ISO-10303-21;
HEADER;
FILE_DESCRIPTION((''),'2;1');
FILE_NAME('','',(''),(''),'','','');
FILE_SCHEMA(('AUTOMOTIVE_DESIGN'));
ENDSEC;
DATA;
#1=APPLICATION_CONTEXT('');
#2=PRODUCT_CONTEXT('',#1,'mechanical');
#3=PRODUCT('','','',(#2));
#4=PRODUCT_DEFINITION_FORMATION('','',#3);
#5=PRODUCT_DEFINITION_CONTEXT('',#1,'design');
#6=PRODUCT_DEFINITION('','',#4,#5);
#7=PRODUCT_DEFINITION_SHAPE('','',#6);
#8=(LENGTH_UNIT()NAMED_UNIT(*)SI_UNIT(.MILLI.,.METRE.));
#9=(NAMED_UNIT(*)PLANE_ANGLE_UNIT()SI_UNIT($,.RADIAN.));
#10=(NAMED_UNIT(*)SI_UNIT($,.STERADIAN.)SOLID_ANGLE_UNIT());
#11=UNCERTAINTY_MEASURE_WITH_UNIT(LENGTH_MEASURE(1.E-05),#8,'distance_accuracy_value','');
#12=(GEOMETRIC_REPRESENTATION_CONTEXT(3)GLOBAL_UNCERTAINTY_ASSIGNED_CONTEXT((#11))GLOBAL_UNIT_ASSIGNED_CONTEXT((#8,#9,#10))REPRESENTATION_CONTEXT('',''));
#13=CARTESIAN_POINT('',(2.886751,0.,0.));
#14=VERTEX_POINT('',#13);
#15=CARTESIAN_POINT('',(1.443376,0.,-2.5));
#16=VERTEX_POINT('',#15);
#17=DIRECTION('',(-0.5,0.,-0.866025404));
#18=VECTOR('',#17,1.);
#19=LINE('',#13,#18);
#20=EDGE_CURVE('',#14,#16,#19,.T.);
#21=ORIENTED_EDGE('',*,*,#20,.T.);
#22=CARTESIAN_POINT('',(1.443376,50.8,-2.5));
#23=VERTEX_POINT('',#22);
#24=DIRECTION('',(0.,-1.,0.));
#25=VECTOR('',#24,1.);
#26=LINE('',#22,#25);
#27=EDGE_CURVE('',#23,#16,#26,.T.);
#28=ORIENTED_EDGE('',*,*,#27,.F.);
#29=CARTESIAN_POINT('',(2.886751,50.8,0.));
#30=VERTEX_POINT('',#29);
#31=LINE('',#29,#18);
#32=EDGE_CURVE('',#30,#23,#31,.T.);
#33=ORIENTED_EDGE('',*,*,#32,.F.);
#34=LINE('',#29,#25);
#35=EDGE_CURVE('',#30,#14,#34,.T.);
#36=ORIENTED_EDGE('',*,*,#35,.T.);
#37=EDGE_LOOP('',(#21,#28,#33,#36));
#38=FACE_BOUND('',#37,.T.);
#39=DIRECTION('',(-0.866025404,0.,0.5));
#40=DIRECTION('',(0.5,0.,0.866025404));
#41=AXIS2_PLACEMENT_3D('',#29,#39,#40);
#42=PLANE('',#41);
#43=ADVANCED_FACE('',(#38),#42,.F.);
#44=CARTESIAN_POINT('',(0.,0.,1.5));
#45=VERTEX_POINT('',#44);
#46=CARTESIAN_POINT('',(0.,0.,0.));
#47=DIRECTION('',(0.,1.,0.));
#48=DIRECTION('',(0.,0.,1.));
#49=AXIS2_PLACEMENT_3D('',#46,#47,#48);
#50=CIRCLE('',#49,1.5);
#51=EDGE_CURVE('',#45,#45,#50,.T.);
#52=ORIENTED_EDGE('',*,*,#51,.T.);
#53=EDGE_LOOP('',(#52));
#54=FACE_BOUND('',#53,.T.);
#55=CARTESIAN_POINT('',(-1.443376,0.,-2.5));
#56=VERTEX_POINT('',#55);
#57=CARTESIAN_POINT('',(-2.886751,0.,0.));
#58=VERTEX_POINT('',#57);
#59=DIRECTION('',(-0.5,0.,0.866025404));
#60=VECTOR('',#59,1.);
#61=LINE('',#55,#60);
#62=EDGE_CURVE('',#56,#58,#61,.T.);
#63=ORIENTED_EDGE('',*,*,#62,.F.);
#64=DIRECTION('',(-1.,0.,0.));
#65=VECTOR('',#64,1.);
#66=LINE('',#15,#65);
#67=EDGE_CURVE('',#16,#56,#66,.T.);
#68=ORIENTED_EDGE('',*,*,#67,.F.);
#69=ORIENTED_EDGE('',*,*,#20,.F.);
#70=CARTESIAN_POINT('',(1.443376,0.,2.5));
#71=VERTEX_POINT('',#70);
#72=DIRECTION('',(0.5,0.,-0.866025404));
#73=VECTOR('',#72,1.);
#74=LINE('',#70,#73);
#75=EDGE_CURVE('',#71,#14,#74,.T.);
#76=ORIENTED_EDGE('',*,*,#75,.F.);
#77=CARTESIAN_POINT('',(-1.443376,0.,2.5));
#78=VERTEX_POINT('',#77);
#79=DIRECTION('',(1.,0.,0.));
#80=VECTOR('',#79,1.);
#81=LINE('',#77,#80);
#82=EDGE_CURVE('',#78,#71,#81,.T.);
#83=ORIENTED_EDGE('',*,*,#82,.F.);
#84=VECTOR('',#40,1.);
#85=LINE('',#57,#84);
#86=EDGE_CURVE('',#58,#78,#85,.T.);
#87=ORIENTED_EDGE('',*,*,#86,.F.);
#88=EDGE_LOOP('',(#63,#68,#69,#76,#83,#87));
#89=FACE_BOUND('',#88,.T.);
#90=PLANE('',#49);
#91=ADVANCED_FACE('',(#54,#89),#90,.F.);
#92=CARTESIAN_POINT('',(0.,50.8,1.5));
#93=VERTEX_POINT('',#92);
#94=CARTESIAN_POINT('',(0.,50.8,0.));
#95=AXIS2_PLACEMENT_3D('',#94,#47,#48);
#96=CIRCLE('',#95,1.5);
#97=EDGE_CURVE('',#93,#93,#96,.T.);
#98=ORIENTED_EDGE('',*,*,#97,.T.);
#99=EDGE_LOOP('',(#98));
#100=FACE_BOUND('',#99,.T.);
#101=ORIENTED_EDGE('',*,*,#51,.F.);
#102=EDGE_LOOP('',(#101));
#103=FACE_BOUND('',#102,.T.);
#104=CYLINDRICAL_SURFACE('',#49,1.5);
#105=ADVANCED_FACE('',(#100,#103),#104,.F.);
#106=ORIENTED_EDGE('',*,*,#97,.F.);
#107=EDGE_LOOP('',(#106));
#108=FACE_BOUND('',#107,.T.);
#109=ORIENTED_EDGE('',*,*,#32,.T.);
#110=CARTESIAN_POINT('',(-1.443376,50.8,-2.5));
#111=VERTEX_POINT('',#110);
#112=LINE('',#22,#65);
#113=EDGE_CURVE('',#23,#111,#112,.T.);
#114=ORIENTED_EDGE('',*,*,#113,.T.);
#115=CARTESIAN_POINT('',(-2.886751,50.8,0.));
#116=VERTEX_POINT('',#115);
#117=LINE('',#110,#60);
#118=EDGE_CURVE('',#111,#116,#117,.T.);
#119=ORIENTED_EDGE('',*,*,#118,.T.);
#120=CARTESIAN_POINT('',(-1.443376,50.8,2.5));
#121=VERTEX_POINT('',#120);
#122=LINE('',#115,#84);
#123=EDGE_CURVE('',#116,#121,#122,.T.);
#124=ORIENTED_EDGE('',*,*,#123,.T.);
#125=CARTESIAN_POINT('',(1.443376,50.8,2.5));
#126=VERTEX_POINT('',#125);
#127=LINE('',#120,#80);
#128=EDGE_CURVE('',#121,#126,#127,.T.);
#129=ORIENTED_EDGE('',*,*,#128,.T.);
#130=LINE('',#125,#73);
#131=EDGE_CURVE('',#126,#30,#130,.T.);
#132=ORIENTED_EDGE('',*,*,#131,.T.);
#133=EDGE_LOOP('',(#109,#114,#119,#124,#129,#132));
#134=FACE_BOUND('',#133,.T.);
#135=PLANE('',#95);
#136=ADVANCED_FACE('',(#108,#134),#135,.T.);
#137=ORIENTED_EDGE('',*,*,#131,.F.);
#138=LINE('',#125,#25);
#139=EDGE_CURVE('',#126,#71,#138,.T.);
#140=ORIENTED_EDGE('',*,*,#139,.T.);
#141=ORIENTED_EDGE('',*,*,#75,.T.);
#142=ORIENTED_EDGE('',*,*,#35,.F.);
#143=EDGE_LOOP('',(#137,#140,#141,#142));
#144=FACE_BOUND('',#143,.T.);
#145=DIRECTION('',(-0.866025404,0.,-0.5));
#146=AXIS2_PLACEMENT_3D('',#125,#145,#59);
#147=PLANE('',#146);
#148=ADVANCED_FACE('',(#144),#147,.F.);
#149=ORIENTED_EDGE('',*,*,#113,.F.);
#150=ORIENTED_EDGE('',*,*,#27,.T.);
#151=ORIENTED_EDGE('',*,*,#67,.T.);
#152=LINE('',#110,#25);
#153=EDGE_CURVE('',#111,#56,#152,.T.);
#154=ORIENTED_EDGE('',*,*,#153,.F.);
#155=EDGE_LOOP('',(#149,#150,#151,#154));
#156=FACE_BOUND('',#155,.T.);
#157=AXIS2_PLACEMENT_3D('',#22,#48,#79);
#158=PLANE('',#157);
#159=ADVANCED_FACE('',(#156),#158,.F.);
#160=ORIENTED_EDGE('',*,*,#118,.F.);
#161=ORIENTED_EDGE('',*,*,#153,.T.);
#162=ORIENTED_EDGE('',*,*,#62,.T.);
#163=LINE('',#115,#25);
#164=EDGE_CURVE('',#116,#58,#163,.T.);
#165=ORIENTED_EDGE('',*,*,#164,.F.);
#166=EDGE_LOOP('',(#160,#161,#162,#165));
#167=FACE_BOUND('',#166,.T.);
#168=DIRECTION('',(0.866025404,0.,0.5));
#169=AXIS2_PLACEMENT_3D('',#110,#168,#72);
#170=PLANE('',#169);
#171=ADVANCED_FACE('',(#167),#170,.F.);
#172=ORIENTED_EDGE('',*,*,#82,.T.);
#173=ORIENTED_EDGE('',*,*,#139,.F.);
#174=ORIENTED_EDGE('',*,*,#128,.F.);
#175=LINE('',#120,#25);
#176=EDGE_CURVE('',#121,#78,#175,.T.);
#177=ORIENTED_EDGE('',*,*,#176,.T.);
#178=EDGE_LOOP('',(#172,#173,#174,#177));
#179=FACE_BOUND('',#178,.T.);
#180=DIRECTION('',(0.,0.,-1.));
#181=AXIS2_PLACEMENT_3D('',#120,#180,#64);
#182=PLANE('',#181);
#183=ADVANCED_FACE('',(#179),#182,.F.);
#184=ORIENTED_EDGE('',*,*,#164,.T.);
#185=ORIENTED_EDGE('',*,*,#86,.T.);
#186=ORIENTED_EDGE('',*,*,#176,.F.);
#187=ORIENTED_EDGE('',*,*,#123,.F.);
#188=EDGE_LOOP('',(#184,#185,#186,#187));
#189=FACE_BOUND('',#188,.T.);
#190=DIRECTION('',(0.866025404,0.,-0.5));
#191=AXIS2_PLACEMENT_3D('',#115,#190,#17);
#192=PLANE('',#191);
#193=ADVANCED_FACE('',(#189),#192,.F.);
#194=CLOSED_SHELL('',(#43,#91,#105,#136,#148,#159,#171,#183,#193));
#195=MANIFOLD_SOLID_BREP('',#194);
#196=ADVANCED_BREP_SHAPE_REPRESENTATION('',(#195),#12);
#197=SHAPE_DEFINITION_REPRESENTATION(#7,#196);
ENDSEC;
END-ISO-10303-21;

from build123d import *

# Parameters (mm, degrees)
BOSS_EXTRUDE1_DEPTH = 50.8
SKETCH2_R           = 1.5
CUT_EXTRUDE1_DEPTH  = 51.943334533


with BuildPart() as part:
    # Sketch1 → Boss-Extrude1 (new body)
    with BuildSketch(Plane(origin=(0, 0, 0), x_dir=(1, 0, 0), z_dir=(0, 1, 0))):
        Polygon((2.886751346, 0), (1.443375673, 2.5), (-1.443375673, 2.5), (-2.886751346, 0), (-1.443375673, -2.5), (1.443375673, -2.5), align=None)
    extrude(amount=BOSS_EXTRUDE1_DEPTH)

    # Sketch2 → Cut-Extrude1 (cut, through all)
    with BuildSketch(Plane(origin=(0, 50.8, 0), x_dir=(1, 0, 0), z_dir=(0, 1, 0))):
        with Locations(Location((0, 0, 0), (0, 0, 270))):
            Circle(SKETCH2_R)
    extrude(amount=-CUT_EXTRUDE1_DEPTH, mode=Mode.SUBTRACT)


solid = part.part
